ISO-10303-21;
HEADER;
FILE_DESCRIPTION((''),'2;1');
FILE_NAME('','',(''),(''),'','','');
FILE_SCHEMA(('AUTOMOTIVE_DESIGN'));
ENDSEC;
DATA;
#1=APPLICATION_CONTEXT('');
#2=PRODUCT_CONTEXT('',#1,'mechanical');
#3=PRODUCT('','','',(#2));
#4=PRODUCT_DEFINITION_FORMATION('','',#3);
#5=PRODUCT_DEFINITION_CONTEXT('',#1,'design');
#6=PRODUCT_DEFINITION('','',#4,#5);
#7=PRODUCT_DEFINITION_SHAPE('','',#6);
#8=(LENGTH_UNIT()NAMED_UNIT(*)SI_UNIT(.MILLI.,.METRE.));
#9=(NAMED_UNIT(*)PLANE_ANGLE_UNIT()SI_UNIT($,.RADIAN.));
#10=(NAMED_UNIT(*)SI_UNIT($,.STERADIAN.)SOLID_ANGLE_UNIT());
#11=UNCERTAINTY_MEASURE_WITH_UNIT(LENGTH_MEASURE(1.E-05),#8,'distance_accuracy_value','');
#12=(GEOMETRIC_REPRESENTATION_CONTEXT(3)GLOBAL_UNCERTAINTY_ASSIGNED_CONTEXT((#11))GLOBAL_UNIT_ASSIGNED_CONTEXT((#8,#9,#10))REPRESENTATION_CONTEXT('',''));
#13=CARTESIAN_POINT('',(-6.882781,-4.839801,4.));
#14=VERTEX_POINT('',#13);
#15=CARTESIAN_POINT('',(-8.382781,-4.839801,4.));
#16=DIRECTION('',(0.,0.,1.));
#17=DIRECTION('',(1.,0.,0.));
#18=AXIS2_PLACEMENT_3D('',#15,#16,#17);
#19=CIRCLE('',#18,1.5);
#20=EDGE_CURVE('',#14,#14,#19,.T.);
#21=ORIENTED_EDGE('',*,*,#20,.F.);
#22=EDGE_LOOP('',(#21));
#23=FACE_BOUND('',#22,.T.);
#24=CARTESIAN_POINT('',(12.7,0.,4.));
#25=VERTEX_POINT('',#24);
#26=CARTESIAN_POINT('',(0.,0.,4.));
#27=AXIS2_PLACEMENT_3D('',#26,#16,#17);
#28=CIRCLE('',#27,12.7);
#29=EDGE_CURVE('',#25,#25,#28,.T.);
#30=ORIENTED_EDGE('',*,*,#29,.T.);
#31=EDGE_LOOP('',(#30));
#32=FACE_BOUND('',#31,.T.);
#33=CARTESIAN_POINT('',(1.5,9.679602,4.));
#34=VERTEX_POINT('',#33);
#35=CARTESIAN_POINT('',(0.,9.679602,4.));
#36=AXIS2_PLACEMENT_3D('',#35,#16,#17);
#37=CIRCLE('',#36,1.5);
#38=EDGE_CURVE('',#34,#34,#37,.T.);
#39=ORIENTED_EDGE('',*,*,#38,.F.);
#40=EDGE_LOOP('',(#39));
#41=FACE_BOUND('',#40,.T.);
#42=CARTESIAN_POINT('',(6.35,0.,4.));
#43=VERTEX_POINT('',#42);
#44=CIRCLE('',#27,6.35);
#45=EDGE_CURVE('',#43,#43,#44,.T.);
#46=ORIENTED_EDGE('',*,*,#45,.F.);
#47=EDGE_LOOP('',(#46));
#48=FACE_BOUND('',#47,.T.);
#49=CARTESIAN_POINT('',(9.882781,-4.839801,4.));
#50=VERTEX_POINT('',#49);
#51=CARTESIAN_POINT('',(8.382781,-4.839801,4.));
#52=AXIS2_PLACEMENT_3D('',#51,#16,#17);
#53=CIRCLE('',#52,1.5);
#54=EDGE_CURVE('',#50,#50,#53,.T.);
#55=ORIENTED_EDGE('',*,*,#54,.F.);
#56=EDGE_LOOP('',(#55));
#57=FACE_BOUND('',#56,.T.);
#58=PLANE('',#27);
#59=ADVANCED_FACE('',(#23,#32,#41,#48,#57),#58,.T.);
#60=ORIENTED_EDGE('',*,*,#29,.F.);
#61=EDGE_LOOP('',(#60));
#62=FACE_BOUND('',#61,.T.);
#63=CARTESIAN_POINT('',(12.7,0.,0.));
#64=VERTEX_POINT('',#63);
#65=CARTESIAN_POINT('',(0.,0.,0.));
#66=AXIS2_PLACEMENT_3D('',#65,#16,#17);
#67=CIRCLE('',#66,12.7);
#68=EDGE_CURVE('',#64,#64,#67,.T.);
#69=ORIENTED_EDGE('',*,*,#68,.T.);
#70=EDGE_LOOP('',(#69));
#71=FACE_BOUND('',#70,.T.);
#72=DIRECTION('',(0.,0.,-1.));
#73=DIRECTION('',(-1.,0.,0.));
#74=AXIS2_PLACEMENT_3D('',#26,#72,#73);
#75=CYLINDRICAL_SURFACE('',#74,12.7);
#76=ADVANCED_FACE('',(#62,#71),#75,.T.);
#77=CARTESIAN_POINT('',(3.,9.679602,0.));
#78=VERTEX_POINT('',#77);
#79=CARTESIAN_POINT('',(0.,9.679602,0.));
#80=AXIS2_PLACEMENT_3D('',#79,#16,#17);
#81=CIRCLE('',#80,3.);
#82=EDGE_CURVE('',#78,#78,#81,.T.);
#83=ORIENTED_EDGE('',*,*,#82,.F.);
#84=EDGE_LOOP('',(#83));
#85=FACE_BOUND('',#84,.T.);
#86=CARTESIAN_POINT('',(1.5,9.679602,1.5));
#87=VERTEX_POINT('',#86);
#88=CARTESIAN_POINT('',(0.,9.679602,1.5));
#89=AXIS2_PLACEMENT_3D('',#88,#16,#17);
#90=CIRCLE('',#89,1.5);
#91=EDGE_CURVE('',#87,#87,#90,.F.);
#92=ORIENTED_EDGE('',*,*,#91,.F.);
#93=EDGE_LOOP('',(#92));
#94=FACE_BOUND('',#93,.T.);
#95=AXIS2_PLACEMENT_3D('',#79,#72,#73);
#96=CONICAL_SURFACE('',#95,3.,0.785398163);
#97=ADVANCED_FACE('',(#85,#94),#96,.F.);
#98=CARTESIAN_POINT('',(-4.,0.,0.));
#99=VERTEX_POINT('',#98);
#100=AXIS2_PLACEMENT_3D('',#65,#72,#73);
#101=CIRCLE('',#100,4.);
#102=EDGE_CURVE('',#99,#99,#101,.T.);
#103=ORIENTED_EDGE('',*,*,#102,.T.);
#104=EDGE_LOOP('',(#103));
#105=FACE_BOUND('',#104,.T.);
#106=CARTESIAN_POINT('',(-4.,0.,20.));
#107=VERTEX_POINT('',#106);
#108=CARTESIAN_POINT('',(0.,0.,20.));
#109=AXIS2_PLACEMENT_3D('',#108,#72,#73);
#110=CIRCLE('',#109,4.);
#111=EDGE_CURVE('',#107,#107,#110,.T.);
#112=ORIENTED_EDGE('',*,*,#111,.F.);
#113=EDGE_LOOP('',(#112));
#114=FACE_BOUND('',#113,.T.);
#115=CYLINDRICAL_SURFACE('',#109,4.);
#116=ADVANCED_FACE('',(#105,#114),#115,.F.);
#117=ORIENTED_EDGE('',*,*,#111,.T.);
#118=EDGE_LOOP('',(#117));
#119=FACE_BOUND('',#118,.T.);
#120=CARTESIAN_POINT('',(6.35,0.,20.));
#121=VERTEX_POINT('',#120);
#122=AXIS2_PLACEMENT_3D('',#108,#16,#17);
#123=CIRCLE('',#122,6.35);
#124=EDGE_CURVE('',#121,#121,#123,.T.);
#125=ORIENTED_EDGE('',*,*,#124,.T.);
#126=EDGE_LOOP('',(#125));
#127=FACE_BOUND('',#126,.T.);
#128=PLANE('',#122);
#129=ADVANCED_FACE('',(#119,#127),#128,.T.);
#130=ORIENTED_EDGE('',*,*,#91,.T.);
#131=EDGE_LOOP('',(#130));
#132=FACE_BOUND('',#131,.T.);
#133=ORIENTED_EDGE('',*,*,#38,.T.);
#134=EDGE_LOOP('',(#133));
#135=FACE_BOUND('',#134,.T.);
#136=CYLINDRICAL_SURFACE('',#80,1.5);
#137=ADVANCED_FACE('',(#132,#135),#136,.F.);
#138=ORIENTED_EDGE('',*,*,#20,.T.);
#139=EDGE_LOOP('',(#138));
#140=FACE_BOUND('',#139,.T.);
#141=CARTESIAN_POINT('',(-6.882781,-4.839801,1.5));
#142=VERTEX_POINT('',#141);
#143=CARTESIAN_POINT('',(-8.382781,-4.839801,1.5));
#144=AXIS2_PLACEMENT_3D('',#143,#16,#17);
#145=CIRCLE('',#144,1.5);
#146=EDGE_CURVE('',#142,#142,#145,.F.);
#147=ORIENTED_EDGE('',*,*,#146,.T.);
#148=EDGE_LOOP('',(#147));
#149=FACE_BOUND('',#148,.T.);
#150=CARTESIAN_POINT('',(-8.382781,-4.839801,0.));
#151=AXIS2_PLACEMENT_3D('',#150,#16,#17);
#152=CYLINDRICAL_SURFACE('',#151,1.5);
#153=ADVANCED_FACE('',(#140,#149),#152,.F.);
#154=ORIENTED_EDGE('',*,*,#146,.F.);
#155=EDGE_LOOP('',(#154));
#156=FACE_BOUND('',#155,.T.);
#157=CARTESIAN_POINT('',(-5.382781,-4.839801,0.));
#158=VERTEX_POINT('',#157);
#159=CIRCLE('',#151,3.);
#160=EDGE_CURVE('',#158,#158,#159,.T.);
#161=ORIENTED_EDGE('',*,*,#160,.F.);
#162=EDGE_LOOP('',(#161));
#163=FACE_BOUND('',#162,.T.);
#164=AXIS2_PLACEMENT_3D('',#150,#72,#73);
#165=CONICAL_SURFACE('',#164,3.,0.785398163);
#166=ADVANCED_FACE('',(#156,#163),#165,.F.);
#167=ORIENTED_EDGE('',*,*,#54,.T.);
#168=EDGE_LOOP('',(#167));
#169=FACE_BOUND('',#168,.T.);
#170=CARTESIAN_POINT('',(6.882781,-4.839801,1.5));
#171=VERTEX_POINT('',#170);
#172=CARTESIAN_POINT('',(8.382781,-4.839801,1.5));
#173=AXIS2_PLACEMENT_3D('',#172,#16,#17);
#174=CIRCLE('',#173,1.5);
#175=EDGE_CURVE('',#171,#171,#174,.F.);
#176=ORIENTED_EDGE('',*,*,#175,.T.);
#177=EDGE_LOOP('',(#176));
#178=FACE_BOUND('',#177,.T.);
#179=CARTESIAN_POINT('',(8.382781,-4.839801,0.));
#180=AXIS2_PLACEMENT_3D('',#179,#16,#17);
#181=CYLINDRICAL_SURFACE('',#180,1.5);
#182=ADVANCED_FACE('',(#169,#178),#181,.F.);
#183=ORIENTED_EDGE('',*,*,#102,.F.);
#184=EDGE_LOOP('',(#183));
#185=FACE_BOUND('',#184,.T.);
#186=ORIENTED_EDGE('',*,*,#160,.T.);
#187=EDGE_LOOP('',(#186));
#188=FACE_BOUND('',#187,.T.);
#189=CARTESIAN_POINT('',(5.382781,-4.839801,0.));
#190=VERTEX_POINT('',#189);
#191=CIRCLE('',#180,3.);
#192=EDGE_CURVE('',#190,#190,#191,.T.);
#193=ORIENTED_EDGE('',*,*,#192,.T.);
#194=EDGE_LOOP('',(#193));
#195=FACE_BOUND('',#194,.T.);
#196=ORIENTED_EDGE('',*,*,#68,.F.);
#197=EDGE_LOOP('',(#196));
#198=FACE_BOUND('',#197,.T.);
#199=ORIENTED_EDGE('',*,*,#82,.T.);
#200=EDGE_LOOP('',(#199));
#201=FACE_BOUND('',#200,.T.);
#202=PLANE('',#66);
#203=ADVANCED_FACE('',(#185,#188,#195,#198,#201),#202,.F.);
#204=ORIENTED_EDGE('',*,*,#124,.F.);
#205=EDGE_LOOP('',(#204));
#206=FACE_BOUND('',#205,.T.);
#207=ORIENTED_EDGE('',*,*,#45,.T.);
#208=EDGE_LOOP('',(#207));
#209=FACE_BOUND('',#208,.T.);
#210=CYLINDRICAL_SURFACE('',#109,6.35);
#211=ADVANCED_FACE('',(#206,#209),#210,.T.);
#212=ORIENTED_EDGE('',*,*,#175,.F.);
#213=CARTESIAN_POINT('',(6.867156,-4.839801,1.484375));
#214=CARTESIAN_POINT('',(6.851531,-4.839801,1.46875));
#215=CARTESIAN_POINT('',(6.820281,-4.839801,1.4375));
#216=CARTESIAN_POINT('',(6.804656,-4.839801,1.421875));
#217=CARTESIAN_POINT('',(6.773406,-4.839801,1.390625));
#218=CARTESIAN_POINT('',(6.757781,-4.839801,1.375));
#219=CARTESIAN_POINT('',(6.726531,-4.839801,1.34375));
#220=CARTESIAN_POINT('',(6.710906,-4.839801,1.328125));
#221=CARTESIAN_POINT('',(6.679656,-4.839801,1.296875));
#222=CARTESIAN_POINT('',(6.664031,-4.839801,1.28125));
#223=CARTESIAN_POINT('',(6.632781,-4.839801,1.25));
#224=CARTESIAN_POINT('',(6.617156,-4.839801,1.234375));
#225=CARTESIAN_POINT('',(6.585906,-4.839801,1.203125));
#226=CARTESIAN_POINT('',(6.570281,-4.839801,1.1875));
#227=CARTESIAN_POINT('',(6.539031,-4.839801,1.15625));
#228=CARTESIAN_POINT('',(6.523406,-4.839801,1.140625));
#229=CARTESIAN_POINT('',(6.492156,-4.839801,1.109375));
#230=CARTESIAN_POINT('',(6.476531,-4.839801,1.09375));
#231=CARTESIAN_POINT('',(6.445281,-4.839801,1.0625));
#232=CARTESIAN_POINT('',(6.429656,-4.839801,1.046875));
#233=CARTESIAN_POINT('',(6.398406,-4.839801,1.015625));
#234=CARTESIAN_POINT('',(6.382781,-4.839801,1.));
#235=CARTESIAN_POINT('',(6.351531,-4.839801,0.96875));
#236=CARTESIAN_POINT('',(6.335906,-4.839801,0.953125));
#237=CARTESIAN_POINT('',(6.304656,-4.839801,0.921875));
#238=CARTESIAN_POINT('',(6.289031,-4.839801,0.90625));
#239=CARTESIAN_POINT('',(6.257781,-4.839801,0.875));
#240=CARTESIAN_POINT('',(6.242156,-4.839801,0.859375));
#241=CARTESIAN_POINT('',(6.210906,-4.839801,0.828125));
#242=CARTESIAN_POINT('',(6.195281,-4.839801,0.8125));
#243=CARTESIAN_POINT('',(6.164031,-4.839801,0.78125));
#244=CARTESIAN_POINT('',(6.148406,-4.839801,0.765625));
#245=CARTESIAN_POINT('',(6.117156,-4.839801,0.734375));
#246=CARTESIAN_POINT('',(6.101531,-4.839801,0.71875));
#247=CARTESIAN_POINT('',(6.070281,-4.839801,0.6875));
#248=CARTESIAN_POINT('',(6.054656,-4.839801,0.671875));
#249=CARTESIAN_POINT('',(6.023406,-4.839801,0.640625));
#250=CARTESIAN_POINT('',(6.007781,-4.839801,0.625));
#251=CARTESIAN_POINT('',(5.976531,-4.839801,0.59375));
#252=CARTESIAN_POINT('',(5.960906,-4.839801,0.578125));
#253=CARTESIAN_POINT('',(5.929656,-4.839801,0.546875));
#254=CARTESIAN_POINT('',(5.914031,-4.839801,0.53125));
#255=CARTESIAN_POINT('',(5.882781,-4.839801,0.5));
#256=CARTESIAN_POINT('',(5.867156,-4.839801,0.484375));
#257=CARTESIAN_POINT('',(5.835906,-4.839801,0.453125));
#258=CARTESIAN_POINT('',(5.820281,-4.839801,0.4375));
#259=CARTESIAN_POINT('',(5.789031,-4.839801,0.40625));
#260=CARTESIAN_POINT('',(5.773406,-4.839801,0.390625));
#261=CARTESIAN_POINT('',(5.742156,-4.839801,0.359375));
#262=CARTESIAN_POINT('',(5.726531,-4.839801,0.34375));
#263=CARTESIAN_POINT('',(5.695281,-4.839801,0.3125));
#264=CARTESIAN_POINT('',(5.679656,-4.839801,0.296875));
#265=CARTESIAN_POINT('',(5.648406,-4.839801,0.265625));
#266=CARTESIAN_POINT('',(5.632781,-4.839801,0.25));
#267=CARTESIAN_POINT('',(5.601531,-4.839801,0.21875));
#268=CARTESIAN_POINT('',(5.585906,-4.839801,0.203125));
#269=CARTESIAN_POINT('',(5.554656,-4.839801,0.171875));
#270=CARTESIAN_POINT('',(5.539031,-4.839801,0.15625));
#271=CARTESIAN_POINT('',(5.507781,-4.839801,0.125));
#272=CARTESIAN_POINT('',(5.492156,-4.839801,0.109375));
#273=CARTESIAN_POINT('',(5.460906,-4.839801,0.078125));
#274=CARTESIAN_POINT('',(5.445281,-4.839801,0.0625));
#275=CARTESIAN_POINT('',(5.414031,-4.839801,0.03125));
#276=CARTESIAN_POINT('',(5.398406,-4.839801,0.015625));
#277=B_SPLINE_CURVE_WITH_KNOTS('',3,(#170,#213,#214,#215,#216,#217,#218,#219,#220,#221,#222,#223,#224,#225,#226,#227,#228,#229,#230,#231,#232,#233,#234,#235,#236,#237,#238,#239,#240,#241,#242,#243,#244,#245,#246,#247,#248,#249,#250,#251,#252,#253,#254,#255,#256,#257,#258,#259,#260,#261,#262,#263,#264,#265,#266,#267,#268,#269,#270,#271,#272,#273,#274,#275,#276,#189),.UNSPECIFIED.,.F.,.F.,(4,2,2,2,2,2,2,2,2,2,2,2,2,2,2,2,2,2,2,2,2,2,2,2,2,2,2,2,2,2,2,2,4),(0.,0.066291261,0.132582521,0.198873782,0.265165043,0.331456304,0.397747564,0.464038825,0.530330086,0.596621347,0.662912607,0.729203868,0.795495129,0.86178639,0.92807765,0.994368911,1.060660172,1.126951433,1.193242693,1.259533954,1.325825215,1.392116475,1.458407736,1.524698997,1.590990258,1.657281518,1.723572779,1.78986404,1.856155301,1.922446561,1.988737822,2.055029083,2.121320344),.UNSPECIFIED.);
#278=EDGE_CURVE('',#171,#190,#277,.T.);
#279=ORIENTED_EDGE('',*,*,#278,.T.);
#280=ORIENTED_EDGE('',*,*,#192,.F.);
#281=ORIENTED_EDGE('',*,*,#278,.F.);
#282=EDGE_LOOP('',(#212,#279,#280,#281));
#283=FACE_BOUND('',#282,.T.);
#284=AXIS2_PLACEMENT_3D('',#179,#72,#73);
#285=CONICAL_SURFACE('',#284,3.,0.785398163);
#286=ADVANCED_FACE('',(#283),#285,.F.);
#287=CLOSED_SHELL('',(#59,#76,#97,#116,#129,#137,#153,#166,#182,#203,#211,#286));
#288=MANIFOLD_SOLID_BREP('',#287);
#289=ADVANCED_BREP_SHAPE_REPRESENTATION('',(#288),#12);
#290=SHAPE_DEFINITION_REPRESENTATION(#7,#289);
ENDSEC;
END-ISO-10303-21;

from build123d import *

# Parameters (mm, degrees)
SKETCH1_R           = 12.7
BOSS_EXTRUDE1_DEPTH = 4
SKETCH2_R           = 6.35
BOSS_EXTRUDE2_DEPTH = 16
SKETCH3_R           = 4
CUT_EXTRUDE1_DEPTH  = 27.880848201
SKETCH4_R           = 1.5
CUT_EXTRUDE2_DEPTH  = 25.053689946
CHAMFER1_SIZE       = 1.5


with BuildPart() as part:
    # Sketch1 → Boss-Extrude1 (new body)
    with BuildSketch(Plane.XY):
        Circle(SKETCH1_R)
    extrude(amount=BOSS_EXTRUDE1_DEPTH)

    # Sketch2 → Boss-Extrude2 (add)
    with BuildSketch(Plane.XY.offset(4)):
        Circle(SKETCH2_R)
    extrude(amount=BOSS_EXTRUDE2_DEPTH)

    # Sketch3 → Cut-Extrude1 (cut, through all)
    with BuildSketch(Plane(origin=(0, 0, 0), x_dir=(-1, 0, 0), z_dir=(0, 0, -1))):
        Circle(SKETCH3_R)
    extrude(amount=-CUT_EXTRUDE1_DEPTH, mode=Mode.SUBTRACT)

    # Sketch4 → Cut-Extrude2 (cut, through all)
    with BuildSketch(Plane.XY.offset(4)):
        with Locations((0, 9.679602242)):
            Circle(SKETCH4_R)
        with Locations((8.38278144, -4.839801121)):
            Circle(SKETCH4_R)
        with Locations((-8.38278144, -4.839801121)):
            Circle(SKETCH4_R)
    extrude(amount=-CUT_EXTRUDE2_DEPTH, mode=Mode.SUBTRACT)

    # Chamfer1
    chamfer1_edges = [part.edges().sort_by_distance(p)[0] for p in [
        (-1.5, 9.679602242, 0),
        (6.88278144, -4.839801121, 0),
        (-9.88278144, -4.839801121, 0),
    ]]
    chamfer(chamfer1_edges, length=CHAMFER1_SIZE)


solid = part.part
